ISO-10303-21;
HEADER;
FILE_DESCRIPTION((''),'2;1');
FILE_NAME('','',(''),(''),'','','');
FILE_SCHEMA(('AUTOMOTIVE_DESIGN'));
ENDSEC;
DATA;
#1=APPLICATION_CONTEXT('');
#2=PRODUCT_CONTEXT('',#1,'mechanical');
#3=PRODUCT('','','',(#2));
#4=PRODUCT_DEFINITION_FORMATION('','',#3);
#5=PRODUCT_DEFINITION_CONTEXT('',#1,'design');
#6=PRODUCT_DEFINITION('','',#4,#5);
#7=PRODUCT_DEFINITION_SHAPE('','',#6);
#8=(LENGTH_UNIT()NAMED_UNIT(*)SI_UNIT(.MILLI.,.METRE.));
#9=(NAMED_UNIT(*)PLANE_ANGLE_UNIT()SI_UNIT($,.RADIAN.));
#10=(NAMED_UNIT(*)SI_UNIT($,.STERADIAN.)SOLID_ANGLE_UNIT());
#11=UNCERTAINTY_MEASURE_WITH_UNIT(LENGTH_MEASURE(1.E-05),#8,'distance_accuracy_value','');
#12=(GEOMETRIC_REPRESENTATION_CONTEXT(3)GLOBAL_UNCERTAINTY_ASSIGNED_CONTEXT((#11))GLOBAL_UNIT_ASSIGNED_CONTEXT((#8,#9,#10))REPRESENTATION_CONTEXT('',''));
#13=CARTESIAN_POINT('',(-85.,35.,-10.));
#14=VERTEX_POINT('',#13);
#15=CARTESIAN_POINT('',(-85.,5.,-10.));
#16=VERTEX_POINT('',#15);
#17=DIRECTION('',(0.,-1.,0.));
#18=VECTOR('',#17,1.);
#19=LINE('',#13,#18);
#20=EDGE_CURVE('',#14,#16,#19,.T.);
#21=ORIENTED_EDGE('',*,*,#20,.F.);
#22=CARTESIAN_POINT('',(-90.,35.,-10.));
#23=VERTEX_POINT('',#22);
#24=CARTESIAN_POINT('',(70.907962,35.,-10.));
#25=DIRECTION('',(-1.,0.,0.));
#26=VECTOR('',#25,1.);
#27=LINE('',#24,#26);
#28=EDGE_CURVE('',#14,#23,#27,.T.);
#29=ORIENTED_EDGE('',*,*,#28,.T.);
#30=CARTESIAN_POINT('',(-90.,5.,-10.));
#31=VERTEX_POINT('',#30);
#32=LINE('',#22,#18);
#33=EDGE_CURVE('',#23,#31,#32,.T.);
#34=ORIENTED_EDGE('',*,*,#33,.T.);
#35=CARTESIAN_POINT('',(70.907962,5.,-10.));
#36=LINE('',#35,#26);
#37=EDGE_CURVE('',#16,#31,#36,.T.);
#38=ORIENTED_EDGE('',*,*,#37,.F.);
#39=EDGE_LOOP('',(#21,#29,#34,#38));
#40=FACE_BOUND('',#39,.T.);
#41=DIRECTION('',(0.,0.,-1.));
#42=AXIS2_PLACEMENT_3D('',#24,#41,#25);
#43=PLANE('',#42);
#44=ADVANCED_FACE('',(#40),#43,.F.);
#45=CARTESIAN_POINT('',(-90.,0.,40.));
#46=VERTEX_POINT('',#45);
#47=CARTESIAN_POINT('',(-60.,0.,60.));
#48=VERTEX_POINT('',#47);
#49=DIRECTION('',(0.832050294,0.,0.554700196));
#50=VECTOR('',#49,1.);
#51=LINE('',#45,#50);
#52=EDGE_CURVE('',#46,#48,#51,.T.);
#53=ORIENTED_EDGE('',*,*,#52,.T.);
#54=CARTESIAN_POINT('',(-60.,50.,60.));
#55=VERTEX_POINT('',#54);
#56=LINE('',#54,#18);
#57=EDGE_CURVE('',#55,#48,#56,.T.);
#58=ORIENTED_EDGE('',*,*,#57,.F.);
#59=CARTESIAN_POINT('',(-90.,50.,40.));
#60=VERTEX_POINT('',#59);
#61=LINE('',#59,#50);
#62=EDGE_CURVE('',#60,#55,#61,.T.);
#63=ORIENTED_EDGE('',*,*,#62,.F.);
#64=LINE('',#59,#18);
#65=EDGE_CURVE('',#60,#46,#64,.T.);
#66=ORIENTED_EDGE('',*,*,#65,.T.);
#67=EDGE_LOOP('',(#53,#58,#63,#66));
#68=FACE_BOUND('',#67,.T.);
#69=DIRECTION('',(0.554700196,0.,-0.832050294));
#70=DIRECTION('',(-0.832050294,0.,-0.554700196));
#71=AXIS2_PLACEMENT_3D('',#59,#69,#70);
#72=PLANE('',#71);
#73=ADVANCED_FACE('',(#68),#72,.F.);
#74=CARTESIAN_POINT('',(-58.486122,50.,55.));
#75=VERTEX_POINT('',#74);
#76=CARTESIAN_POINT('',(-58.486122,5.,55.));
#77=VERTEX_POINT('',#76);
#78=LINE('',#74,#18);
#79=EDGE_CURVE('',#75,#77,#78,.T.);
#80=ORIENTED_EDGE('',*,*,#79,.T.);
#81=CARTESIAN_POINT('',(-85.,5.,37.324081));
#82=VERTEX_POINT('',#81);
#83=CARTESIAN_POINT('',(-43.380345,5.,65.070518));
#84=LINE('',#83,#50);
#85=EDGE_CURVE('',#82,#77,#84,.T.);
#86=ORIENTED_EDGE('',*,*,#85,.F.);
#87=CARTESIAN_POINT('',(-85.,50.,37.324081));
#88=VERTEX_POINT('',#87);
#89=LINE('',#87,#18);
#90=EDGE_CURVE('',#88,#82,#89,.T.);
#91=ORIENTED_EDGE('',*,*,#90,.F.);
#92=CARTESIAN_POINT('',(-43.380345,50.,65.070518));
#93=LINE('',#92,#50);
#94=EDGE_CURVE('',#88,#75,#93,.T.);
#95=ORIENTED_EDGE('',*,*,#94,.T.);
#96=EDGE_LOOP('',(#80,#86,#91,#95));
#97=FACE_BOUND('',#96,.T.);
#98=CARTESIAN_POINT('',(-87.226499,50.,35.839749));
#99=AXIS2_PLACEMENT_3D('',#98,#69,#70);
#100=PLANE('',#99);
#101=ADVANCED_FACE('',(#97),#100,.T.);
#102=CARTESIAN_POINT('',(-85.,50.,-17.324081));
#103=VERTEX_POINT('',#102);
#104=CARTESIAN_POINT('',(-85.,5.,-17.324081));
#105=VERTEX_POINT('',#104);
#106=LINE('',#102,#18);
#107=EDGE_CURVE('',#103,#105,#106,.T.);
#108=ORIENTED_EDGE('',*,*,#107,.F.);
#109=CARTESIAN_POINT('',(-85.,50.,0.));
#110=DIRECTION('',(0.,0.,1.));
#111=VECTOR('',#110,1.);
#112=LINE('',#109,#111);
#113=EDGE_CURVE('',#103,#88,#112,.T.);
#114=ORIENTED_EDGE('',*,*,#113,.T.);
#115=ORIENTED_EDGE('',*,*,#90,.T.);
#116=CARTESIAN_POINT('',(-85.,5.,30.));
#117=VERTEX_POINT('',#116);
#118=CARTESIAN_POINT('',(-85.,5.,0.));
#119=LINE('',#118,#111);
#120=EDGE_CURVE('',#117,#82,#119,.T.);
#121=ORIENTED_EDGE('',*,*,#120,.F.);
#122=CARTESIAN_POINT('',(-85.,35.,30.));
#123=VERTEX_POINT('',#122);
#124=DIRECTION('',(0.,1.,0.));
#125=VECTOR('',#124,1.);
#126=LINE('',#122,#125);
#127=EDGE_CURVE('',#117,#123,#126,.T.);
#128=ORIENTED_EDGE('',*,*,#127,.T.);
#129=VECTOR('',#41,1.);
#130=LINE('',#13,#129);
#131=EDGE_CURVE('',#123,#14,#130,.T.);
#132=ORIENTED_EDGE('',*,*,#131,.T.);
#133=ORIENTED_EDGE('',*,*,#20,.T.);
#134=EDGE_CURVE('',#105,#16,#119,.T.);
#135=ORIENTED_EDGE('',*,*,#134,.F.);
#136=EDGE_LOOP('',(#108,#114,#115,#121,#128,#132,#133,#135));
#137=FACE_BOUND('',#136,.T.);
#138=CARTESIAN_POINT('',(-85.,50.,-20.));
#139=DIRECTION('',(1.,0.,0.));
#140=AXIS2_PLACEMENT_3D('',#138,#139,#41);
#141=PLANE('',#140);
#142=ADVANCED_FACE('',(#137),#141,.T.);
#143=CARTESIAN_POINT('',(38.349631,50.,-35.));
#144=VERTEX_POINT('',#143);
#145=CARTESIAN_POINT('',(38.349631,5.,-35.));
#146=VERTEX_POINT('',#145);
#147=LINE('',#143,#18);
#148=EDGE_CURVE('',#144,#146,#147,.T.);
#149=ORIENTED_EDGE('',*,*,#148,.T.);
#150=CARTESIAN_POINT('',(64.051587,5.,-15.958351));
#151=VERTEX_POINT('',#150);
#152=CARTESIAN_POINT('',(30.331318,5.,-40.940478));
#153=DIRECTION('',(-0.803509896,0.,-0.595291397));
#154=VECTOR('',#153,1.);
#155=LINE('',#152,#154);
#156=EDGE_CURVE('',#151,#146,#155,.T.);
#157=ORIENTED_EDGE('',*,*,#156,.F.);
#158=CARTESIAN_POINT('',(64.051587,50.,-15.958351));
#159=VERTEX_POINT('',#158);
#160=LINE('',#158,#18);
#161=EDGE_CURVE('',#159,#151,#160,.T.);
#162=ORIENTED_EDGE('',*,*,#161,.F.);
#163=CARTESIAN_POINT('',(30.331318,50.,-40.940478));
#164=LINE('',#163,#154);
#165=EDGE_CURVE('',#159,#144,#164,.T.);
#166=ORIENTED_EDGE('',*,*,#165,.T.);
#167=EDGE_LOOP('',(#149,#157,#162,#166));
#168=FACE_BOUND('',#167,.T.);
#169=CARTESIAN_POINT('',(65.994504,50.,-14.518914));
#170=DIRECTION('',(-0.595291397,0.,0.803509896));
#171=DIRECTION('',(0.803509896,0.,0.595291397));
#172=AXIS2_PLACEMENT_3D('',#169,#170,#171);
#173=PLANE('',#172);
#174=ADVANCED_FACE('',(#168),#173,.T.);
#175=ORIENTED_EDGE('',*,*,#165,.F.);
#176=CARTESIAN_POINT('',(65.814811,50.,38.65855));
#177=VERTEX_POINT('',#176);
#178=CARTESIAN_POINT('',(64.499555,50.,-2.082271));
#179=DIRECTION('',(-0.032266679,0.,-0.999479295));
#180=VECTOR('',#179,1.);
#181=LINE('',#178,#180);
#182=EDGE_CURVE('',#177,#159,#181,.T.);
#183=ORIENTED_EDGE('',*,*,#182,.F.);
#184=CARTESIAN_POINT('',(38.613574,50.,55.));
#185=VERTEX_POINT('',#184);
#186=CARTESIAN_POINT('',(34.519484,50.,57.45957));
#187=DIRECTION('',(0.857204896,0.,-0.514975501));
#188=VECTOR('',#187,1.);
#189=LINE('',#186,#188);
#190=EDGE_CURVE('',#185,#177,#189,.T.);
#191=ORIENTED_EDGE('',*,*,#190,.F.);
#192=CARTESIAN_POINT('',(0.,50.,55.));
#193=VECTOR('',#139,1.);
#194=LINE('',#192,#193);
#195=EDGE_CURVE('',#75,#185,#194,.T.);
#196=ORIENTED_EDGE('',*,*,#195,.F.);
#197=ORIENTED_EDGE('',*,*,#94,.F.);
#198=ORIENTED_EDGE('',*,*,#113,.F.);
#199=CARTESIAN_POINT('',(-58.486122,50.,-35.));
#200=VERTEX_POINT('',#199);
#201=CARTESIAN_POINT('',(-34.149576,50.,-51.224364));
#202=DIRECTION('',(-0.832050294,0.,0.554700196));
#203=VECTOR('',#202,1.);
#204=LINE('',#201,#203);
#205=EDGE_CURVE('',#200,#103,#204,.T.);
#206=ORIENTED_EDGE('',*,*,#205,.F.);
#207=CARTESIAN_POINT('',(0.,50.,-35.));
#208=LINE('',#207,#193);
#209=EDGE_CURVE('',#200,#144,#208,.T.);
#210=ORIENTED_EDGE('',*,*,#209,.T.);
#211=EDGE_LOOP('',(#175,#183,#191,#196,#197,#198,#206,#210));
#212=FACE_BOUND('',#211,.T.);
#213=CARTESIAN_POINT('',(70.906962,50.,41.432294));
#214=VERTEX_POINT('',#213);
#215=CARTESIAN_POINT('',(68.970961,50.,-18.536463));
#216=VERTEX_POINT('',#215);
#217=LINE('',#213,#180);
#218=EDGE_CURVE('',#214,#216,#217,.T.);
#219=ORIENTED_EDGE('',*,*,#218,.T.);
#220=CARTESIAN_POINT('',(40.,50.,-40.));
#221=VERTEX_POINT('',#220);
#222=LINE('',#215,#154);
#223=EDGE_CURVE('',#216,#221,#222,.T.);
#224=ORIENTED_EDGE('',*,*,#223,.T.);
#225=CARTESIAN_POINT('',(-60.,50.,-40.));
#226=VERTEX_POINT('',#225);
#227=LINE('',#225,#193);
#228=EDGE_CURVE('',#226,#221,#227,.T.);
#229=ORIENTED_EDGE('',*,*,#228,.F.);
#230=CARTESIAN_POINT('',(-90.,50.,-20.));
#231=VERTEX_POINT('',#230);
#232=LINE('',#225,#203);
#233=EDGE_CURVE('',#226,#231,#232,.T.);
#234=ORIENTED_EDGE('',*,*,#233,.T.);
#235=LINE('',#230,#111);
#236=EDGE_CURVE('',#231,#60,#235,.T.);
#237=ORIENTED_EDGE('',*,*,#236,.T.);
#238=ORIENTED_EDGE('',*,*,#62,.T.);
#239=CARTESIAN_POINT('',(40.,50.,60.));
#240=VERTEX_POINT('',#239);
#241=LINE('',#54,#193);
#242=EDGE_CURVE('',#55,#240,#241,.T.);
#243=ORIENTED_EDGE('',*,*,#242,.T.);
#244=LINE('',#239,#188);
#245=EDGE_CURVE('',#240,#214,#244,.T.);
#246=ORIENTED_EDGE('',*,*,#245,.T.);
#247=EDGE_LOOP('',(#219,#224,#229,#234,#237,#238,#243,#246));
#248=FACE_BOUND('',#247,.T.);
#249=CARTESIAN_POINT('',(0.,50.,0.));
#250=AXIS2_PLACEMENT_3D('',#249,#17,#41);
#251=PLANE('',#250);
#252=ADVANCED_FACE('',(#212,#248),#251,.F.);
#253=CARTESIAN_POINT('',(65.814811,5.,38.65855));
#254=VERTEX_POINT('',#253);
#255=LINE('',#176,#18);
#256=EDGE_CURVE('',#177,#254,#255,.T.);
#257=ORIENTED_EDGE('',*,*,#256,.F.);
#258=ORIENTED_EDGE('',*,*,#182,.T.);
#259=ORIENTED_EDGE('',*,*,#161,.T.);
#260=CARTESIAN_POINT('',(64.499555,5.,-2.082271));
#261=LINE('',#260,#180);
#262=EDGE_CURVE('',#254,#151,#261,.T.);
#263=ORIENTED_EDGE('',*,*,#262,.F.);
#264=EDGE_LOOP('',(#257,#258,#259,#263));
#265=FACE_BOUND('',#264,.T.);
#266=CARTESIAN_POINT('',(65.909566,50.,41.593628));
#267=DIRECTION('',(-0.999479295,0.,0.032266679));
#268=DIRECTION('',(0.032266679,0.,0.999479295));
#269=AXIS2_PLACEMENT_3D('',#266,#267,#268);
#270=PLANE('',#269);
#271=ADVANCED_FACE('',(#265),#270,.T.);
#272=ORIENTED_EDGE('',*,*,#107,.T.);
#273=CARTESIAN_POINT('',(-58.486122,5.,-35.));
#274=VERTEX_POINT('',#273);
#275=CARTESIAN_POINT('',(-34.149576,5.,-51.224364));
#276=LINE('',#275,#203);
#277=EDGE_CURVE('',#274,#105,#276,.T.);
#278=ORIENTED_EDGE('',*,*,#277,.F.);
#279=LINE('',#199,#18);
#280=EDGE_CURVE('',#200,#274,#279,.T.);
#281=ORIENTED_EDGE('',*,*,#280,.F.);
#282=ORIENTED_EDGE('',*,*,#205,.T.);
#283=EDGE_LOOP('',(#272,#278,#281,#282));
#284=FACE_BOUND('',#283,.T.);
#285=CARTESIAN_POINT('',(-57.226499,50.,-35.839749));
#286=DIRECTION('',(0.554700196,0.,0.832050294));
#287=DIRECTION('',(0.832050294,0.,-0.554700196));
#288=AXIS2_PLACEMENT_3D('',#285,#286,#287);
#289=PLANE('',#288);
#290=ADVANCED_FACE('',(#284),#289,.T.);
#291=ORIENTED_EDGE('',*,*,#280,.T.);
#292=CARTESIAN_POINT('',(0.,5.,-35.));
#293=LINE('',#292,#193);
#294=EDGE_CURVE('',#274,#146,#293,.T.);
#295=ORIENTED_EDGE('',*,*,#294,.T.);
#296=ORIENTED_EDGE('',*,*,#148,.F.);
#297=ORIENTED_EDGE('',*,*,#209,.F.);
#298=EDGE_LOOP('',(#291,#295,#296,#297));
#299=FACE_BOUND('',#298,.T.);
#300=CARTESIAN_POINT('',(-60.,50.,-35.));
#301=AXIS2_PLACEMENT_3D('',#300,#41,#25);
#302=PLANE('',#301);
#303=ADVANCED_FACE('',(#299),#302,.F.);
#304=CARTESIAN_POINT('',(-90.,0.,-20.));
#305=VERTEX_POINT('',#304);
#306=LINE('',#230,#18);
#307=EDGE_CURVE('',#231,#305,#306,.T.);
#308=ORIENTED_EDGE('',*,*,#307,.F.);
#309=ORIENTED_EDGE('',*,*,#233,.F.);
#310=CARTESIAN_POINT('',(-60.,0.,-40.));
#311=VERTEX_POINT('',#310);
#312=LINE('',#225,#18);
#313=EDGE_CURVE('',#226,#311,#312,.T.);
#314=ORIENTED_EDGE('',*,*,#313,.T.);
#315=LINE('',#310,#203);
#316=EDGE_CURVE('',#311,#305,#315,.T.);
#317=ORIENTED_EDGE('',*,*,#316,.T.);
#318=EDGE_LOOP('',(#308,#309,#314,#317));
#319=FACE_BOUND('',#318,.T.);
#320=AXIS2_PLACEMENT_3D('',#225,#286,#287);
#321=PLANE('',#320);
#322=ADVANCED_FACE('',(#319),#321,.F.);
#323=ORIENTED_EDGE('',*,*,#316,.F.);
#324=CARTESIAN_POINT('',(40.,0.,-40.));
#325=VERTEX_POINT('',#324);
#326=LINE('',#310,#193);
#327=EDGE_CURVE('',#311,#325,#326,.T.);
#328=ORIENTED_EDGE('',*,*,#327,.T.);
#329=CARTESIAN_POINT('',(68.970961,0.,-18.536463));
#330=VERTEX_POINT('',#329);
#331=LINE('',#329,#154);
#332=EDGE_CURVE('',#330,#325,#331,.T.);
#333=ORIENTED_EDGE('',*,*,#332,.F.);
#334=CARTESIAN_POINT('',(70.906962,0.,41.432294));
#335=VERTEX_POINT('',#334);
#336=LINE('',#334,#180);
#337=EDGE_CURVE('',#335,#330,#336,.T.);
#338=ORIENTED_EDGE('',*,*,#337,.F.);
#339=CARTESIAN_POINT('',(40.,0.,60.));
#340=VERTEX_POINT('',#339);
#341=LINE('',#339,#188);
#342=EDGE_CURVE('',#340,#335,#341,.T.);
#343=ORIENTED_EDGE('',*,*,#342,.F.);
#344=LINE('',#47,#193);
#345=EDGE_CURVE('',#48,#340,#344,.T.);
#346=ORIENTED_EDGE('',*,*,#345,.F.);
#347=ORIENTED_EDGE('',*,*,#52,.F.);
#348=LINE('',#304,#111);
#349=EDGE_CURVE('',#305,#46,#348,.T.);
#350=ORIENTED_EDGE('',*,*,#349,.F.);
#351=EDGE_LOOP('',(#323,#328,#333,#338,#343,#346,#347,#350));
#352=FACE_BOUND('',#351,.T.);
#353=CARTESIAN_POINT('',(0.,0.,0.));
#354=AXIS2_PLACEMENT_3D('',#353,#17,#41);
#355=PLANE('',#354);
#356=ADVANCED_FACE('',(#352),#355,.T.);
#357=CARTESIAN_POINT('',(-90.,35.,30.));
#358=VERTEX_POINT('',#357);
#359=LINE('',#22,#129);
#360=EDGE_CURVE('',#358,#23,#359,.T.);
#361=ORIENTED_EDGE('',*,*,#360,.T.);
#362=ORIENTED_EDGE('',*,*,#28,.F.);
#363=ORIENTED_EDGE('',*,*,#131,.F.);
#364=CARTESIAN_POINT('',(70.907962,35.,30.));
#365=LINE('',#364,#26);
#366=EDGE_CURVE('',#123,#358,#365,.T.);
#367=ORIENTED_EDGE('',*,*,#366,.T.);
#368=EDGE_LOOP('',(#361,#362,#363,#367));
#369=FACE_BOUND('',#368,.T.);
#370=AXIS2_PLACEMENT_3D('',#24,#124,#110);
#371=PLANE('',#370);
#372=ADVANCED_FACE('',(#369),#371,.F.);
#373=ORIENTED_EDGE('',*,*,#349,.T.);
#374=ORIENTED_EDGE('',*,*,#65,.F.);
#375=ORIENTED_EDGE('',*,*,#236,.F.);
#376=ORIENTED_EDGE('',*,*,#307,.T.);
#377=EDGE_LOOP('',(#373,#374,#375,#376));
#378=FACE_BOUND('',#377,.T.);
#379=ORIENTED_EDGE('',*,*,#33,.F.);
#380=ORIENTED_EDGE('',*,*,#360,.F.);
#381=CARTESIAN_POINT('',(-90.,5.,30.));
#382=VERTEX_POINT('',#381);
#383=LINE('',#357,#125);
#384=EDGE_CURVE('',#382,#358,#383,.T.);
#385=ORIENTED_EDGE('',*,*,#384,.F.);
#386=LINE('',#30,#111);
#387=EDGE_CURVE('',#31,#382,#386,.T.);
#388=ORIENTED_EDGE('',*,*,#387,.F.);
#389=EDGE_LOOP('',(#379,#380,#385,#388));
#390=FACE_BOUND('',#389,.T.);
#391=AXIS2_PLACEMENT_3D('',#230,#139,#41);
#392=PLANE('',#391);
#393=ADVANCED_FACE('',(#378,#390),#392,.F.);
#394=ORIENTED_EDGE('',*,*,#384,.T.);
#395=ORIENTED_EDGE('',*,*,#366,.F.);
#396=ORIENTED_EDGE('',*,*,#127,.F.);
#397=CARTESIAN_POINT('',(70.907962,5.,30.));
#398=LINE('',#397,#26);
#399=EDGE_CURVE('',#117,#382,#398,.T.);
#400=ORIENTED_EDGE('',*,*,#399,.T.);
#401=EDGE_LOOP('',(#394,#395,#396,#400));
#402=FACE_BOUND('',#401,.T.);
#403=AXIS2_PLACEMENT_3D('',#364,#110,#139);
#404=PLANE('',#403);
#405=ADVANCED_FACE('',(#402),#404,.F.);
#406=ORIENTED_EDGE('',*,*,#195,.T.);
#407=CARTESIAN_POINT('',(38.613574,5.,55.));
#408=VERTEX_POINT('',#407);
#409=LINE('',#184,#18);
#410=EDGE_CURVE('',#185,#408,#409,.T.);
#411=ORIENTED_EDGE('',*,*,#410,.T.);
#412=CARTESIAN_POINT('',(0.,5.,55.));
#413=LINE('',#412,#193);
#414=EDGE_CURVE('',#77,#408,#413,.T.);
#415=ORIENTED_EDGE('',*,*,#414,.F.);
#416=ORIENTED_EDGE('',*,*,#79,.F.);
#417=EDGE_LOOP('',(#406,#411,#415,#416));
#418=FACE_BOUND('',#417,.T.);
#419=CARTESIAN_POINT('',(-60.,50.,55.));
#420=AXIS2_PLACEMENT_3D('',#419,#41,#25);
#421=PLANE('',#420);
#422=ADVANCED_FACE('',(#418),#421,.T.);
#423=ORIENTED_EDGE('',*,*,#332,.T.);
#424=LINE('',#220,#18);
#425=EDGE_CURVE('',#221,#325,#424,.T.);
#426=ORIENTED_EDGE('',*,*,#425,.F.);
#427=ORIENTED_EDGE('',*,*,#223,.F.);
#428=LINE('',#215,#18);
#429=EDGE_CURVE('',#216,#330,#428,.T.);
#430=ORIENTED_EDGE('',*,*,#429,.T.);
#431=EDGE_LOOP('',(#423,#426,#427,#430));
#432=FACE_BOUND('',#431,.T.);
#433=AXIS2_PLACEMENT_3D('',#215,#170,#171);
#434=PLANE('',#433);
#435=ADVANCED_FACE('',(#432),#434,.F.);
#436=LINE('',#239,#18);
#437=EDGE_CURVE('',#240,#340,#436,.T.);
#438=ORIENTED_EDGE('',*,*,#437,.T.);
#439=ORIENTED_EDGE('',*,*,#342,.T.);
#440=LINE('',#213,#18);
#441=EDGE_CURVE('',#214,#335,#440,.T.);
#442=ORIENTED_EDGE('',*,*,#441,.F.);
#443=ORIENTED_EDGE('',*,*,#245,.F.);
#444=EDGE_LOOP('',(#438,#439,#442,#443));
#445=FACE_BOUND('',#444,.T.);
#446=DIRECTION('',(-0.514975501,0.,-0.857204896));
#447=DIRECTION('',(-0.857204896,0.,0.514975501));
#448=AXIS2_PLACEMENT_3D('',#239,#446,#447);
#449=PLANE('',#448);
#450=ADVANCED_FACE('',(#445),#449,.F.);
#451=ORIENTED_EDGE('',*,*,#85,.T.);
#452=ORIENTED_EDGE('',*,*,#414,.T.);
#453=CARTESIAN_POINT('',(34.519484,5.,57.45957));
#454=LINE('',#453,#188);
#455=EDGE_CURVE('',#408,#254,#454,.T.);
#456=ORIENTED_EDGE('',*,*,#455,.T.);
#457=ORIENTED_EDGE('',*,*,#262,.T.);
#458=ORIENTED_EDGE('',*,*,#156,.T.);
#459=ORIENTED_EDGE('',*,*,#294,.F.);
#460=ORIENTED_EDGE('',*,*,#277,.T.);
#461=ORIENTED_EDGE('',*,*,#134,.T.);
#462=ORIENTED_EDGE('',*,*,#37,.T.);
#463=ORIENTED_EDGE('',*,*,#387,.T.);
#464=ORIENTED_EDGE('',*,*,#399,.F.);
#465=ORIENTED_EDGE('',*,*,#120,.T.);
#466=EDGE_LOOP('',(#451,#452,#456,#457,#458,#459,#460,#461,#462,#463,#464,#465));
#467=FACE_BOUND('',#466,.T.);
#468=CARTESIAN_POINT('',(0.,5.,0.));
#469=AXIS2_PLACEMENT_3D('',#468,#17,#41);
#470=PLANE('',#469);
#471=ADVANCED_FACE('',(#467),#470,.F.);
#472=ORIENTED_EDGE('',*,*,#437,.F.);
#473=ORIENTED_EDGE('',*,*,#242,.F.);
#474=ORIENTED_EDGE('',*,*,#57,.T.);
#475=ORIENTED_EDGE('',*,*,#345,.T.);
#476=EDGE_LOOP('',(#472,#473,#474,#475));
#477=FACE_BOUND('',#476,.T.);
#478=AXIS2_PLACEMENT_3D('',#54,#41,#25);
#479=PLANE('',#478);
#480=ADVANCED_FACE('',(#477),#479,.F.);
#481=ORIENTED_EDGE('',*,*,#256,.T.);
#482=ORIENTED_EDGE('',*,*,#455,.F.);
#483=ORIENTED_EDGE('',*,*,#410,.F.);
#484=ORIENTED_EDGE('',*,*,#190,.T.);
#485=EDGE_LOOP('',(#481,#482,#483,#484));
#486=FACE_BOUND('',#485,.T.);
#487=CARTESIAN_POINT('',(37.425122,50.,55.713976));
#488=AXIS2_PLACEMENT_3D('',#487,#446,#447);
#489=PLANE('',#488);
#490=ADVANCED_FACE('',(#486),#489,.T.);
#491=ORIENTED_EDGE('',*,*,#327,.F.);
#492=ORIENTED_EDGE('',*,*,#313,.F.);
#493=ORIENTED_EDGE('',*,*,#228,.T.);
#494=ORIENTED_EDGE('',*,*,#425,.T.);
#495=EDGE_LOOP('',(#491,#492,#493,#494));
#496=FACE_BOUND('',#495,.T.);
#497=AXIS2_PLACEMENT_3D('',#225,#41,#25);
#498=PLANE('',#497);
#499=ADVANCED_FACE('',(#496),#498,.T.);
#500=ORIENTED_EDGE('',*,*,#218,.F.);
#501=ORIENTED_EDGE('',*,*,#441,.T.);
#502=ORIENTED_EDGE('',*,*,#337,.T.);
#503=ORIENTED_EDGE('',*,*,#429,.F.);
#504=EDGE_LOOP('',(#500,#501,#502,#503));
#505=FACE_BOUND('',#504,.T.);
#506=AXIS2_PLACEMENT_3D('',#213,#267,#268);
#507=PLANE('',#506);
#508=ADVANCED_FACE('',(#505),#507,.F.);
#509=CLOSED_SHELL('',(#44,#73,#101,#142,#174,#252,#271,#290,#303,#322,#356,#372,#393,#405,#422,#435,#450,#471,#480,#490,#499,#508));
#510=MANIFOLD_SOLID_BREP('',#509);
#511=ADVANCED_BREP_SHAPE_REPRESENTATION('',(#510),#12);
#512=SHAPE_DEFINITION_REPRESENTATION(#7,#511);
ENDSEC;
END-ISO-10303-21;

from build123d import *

# Parameters (mm, degrees)
DODANIE_WYCI_GNI_CIE2_DEPTH = 50
SKORUPA2_T                  = -5
WYTNIJ_WYCI_GNI_CIE1_REACH  = 162.907
SZKIC2_W                    = 40
SZKIC2_H                    = 30


with BuildPart() as part:
    # Szkic1 → Dodanie-wyciągnięcie2 (new body)
    with BuildSketch(Plane(origin=(0, 0, 0), x_dir=(1, 0, 0), z_dir=(0, 1, 0))):
        Polygon((-60, 40), (40, 40), (68.970961298, 18.536463444), (70.906962059, -41.432294264), (40, -60), (-60, -60), (-90, -40), (-90, 20), align=None)
    extrude(amount=DODANIE_WYCI_GNI_CIE2_DEPTH)

    # Skorupa2
    skorupa2_openings = [part.faces().sort_by_distance(p)[0] for p in [
        (-10.01525958, 50, 10.361978853),
    ]]
    offset(amount=SKORUPA2_T, openings=skorupa2_openings, kind=Kind.INTERSECTION)

    # Szkic2 → Wytnij-wyciągnięcie1 (cut, up to next)
    with BuildSketch(Plane.ZY.offset(90), mode=Mode.PRIVATE) as wytnij_wyci_gni_cie1_sk1:
        with Locations((10, 20)):
            Rectangle(SZKIC2_W, SZKIC2_H)
    wytnij_wyci_gni_cie1_tool1 = extrude(wytnij_wyci_gni_cie1_sk1.sketch, amount=-WYTNIJ_WYCI_GNI_CIE1_REACH, mode=Mode.PRIVATE) & part.part
    add(wytnij_wyci_gni_cie1_tool1.solids().sort_by_distance((-90, 20, 10))[0], mode=Mode.SUBTRACT)


solid = part.part
